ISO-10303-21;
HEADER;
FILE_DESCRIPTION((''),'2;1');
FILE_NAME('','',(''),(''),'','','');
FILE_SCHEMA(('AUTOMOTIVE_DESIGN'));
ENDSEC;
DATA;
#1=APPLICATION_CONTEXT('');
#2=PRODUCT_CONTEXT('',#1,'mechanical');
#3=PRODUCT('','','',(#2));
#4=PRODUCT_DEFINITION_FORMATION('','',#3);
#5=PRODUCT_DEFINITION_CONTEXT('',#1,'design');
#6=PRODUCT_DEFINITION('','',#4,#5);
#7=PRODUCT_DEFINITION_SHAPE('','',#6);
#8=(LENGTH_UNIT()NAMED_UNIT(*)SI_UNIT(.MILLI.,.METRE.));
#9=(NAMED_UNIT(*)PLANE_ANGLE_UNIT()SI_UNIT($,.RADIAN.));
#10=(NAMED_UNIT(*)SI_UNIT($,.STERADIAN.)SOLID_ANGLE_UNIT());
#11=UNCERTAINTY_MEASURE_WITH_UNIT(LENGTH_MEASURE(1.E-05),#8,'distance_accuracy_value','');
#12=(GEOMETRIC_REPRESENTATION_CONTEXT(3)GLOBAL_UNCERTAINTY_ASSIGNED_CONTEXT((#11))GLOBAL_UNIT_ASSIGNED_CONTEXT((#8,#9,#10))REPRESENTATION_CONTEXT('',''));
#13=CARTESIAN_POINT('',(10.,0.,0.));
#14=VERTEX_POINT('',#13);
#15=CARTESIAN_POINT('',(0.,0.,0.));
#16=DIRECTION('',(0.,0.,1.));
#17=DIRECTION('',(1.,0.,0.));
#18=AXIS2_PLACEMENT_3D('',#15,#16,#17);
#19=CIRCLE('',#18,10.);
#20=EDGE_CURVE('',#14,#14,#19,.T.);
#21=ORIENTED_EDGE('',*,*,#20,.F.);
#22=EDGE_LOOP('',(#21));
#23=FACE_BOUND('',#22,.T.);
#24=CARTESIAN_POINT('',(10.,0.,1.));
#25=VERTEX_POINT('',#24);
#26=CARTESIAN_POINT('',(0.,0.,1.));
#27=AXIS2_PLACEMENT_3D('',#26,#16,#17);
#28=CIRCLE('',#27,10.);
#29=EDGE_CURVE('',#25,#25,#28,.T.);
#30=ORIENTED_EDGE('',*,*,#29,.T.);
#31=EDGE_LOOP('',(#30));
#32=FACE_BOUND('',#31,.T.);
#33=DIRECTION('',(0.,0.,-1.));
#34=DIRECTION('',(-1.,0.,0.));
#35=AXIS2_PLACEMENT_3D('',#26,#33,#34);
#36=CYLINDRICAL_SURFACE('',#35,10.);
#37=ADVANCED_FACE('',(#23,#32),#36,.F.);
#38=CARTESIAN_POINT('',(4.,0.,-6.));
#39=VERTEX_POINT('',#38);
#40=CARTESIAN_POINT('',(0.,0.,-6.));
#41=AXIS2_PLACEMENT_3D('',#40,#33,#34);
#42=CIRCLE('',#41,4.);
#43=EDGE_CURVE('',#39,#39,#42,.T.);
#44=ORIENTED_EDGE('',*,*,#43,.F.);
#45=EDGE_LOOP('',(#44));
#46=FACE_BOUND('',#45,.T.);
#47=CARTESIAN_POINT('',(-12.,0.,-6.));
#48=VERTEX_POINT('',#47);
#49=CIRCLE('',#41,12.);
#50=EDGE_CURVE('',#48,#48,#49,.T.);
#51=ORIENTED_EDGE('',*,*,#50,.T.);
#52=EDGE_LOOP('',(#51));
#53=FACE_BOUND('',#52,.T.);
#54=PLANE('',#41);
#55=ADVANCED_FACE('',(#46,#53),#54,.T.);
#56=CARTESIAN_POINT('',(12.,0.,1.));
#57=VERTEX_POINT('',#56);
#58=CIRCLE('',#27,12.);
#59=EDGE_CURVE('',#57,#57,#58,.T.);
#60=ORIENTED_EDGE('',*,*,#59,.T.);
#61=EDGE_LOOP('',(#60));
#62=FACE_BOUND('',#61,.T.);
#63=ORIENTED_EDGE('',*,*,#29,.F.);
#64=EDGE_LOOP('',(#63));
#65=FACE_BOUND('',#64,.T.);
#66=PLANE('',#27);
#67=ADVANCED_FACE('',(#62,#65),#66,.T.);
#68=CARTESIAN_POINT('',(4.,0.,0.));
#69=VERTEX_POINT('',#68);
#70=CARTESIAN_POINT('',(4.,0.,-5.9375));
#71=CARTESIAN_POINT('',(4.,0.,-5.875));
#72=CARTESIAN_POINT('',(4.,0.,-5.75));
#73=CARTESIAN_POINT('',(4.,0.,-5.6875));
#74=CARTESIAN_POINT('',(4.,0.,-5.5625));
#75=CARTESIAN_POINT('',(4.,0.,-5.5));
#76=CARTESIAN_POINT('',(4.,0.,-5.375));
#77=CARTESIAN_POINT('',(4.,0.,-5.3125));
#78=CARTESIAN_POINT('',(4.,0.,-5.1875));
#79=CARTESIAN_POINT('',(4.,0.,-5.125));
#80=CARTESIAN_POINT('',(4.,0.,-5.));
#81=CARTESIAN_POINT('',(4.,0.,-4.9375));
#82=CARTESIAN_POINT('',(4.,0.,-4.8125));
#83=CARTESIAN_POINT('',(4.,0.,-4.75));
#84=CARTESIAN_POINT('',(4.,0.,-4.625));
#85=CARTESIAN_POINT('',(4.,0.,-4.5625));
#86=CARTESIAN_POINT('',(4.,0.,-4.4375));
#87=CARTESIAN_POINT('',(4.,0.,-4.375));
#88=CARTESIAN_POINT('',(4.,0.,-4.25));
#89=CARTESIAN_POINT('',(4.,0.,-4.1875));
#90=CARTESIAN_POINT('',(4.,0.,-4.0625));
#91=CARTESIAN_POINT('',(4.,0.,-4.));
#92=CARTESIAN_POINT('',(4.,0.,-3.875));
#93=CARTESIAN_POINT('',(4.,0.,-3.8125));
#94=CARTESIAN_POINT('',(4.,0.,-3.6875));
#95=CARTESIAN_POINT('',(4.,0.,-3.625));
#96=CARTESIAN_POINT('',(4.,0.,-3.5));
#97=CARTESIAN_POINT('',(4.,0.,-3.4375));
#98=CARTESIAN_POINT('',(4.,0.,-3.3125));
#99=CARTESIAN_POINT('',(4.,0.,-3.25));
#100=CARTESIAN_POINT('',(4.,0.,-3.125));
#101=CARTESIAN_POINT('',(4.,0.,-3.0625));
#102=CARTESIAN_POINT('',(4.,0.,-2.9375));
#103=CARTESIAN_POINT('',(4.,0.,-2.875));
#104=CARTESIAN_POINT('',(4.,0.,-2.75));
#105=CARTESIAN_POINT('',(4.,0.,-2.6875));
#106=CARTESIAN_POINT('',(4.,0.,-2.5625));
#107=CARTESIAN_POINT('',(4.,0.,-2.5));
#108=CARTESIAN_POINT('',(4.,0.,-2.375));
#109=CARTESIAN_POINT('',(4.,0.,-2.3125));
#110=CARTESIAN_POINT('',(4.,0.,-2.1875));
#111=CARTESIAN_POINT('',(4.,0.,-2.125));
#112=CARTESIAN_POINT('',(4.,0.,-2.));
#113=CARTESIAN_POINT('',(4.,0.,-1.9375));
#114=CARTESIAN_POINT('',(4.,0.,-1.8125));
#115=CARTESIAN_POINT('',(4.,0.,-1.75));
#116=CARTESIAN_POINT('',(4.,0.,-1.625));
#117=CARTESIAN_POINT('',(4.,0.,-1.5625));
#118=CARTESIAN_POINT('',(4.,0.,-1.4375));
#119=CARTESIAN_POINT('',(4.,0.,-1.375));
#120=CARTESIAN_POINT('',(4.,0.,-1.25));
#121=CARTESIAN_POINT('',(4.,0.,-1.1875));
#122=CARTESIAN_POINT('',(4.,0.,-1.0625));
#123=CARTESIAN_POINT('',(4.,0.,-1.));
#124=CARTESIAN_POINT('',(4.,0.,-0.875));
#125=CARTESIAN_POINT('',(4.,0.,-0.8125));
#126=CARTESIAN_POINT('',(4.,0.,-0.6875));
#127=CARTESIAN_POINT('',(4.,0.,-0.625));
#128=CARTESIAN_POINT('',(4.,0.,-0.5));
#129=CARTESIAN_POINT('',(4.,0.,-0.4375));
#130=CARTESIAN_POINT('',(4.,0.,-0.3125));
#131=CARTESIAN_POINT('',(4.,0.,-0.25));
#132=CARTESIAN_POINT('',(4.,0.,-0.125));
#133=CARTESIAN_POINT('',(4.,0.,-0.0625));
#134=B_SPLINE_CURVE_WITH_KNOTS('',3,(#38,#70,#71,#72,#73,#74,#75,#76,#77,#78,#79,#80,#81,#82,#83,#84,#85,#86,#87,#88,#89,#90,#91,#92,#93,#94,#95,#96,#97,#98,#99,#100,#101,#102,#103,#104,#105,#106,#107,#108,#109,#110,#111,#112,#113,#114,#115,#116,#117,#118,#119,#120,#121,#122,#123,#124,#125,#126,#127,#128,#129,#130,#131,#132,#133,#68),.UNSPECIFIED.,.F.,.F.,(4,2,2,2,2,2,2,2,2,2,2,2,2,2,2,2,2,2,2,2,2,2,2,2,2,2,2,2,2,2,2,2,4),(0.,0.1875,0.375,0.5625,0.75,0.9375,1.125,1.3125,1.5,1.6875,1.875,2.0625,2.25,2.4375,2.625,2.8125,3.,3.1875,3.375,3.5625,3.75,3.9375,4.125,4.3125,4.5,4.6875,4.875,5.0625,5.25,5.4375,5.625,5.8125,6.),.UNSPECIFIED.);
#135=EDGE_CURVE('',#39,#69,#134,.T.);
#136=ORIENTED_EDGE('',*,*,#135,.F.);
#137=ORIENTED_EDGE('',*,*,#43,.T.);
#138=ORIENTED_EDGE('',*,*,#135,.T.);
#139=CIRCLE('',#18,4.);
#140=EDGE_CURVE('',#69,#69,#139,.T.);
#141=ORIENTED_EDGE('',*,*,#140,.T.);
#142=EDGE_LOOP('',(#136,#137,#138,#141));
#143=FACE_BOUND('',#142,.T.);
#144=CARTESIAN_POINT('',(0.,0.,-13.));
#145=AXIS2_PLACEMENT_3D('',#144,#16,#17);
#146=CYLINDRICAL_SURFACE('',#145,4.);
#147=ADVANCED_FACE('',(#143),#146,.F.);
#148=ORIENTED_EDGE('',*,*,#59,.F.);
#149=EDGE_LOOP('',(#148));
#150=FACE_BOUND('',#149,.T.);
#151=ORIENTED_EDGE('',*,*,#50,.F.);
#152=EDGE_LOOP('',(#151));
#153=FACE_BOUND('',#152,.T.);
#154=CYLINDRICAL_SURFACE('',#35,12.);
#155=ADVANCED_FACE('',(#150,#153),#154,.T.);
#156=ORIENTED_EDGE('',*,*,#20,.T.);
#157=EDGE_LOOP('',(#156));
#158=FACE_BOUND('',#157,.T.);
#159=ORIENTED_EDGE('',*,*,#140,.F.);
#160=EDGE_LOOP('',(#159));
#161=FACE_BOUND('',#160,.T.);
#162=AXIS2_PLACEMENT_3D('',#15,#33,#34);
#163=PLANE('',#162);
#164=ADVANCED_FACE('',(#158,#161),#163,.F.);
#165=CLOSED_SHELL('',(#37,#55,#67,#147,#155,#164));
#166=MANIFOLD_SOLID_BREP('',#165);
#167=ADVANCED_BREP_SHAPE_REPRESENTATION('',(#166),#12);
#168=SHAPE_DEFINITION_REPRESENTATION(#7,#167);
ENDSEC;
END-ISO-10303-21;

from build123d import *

# Parameters (mm, degrees)
SKETCH1_R           = 12
SKETCH1_R_2         = 10
BOSS_EXTRUDE1_DEPTH = 1
BOSS_EXTRUDE2_START = 6
SKETCH2_R           = 12
BOSS_EXTRUDE2_DEPTH = 6
SKETCH3_R           = 4
CUT_EXTRUDE1_DEPTH  = 13


with BuildPart() as part:
    # Sketch1 → Boss-Extrude1 (new body)
    with BuildSketch(Plane(origin=(0, 0, 0), x_dir=(0, 1, 0), z_dir=(0, 0, 1))):
        with Locations(Location((0, 0, 0), (0, 0, 270))):
            Circle(SKETCH1_R)
        with Locations(Location((0, 0, 0), (0, 0, 270))):
            Circle(SKETCH1_R_2, mode=Mode.SUBTRACT)
    extrude(amount=BOSS_EXTRUDE1_DEPTH)

    # Sketch2 → Boss-Extrude2 (add)
    with BuildSketch(Plane(origin=(0, 0, 0), x_dir=(1, 0, 0), z_dir=(0, 0, -1)).offset(BOSS_EXTRUDE2_START)):
        with Locations(Location((0, 0, 0), (0, 0, 180))):
            Circle(SKETCH2_R)
    extrude(amount=-BOSS_EXTRUDE2_DEPTH)

    # Sketch3 → Cut-Extrude1 (cut)
    with BuildSketch(Plane.XY):
        Circle(SKETCH3_R)
    extrude(amount=-CUT_EXTRUDE1_DEPTH, mode=Mode.SUBTRACT)


solid = part.part
